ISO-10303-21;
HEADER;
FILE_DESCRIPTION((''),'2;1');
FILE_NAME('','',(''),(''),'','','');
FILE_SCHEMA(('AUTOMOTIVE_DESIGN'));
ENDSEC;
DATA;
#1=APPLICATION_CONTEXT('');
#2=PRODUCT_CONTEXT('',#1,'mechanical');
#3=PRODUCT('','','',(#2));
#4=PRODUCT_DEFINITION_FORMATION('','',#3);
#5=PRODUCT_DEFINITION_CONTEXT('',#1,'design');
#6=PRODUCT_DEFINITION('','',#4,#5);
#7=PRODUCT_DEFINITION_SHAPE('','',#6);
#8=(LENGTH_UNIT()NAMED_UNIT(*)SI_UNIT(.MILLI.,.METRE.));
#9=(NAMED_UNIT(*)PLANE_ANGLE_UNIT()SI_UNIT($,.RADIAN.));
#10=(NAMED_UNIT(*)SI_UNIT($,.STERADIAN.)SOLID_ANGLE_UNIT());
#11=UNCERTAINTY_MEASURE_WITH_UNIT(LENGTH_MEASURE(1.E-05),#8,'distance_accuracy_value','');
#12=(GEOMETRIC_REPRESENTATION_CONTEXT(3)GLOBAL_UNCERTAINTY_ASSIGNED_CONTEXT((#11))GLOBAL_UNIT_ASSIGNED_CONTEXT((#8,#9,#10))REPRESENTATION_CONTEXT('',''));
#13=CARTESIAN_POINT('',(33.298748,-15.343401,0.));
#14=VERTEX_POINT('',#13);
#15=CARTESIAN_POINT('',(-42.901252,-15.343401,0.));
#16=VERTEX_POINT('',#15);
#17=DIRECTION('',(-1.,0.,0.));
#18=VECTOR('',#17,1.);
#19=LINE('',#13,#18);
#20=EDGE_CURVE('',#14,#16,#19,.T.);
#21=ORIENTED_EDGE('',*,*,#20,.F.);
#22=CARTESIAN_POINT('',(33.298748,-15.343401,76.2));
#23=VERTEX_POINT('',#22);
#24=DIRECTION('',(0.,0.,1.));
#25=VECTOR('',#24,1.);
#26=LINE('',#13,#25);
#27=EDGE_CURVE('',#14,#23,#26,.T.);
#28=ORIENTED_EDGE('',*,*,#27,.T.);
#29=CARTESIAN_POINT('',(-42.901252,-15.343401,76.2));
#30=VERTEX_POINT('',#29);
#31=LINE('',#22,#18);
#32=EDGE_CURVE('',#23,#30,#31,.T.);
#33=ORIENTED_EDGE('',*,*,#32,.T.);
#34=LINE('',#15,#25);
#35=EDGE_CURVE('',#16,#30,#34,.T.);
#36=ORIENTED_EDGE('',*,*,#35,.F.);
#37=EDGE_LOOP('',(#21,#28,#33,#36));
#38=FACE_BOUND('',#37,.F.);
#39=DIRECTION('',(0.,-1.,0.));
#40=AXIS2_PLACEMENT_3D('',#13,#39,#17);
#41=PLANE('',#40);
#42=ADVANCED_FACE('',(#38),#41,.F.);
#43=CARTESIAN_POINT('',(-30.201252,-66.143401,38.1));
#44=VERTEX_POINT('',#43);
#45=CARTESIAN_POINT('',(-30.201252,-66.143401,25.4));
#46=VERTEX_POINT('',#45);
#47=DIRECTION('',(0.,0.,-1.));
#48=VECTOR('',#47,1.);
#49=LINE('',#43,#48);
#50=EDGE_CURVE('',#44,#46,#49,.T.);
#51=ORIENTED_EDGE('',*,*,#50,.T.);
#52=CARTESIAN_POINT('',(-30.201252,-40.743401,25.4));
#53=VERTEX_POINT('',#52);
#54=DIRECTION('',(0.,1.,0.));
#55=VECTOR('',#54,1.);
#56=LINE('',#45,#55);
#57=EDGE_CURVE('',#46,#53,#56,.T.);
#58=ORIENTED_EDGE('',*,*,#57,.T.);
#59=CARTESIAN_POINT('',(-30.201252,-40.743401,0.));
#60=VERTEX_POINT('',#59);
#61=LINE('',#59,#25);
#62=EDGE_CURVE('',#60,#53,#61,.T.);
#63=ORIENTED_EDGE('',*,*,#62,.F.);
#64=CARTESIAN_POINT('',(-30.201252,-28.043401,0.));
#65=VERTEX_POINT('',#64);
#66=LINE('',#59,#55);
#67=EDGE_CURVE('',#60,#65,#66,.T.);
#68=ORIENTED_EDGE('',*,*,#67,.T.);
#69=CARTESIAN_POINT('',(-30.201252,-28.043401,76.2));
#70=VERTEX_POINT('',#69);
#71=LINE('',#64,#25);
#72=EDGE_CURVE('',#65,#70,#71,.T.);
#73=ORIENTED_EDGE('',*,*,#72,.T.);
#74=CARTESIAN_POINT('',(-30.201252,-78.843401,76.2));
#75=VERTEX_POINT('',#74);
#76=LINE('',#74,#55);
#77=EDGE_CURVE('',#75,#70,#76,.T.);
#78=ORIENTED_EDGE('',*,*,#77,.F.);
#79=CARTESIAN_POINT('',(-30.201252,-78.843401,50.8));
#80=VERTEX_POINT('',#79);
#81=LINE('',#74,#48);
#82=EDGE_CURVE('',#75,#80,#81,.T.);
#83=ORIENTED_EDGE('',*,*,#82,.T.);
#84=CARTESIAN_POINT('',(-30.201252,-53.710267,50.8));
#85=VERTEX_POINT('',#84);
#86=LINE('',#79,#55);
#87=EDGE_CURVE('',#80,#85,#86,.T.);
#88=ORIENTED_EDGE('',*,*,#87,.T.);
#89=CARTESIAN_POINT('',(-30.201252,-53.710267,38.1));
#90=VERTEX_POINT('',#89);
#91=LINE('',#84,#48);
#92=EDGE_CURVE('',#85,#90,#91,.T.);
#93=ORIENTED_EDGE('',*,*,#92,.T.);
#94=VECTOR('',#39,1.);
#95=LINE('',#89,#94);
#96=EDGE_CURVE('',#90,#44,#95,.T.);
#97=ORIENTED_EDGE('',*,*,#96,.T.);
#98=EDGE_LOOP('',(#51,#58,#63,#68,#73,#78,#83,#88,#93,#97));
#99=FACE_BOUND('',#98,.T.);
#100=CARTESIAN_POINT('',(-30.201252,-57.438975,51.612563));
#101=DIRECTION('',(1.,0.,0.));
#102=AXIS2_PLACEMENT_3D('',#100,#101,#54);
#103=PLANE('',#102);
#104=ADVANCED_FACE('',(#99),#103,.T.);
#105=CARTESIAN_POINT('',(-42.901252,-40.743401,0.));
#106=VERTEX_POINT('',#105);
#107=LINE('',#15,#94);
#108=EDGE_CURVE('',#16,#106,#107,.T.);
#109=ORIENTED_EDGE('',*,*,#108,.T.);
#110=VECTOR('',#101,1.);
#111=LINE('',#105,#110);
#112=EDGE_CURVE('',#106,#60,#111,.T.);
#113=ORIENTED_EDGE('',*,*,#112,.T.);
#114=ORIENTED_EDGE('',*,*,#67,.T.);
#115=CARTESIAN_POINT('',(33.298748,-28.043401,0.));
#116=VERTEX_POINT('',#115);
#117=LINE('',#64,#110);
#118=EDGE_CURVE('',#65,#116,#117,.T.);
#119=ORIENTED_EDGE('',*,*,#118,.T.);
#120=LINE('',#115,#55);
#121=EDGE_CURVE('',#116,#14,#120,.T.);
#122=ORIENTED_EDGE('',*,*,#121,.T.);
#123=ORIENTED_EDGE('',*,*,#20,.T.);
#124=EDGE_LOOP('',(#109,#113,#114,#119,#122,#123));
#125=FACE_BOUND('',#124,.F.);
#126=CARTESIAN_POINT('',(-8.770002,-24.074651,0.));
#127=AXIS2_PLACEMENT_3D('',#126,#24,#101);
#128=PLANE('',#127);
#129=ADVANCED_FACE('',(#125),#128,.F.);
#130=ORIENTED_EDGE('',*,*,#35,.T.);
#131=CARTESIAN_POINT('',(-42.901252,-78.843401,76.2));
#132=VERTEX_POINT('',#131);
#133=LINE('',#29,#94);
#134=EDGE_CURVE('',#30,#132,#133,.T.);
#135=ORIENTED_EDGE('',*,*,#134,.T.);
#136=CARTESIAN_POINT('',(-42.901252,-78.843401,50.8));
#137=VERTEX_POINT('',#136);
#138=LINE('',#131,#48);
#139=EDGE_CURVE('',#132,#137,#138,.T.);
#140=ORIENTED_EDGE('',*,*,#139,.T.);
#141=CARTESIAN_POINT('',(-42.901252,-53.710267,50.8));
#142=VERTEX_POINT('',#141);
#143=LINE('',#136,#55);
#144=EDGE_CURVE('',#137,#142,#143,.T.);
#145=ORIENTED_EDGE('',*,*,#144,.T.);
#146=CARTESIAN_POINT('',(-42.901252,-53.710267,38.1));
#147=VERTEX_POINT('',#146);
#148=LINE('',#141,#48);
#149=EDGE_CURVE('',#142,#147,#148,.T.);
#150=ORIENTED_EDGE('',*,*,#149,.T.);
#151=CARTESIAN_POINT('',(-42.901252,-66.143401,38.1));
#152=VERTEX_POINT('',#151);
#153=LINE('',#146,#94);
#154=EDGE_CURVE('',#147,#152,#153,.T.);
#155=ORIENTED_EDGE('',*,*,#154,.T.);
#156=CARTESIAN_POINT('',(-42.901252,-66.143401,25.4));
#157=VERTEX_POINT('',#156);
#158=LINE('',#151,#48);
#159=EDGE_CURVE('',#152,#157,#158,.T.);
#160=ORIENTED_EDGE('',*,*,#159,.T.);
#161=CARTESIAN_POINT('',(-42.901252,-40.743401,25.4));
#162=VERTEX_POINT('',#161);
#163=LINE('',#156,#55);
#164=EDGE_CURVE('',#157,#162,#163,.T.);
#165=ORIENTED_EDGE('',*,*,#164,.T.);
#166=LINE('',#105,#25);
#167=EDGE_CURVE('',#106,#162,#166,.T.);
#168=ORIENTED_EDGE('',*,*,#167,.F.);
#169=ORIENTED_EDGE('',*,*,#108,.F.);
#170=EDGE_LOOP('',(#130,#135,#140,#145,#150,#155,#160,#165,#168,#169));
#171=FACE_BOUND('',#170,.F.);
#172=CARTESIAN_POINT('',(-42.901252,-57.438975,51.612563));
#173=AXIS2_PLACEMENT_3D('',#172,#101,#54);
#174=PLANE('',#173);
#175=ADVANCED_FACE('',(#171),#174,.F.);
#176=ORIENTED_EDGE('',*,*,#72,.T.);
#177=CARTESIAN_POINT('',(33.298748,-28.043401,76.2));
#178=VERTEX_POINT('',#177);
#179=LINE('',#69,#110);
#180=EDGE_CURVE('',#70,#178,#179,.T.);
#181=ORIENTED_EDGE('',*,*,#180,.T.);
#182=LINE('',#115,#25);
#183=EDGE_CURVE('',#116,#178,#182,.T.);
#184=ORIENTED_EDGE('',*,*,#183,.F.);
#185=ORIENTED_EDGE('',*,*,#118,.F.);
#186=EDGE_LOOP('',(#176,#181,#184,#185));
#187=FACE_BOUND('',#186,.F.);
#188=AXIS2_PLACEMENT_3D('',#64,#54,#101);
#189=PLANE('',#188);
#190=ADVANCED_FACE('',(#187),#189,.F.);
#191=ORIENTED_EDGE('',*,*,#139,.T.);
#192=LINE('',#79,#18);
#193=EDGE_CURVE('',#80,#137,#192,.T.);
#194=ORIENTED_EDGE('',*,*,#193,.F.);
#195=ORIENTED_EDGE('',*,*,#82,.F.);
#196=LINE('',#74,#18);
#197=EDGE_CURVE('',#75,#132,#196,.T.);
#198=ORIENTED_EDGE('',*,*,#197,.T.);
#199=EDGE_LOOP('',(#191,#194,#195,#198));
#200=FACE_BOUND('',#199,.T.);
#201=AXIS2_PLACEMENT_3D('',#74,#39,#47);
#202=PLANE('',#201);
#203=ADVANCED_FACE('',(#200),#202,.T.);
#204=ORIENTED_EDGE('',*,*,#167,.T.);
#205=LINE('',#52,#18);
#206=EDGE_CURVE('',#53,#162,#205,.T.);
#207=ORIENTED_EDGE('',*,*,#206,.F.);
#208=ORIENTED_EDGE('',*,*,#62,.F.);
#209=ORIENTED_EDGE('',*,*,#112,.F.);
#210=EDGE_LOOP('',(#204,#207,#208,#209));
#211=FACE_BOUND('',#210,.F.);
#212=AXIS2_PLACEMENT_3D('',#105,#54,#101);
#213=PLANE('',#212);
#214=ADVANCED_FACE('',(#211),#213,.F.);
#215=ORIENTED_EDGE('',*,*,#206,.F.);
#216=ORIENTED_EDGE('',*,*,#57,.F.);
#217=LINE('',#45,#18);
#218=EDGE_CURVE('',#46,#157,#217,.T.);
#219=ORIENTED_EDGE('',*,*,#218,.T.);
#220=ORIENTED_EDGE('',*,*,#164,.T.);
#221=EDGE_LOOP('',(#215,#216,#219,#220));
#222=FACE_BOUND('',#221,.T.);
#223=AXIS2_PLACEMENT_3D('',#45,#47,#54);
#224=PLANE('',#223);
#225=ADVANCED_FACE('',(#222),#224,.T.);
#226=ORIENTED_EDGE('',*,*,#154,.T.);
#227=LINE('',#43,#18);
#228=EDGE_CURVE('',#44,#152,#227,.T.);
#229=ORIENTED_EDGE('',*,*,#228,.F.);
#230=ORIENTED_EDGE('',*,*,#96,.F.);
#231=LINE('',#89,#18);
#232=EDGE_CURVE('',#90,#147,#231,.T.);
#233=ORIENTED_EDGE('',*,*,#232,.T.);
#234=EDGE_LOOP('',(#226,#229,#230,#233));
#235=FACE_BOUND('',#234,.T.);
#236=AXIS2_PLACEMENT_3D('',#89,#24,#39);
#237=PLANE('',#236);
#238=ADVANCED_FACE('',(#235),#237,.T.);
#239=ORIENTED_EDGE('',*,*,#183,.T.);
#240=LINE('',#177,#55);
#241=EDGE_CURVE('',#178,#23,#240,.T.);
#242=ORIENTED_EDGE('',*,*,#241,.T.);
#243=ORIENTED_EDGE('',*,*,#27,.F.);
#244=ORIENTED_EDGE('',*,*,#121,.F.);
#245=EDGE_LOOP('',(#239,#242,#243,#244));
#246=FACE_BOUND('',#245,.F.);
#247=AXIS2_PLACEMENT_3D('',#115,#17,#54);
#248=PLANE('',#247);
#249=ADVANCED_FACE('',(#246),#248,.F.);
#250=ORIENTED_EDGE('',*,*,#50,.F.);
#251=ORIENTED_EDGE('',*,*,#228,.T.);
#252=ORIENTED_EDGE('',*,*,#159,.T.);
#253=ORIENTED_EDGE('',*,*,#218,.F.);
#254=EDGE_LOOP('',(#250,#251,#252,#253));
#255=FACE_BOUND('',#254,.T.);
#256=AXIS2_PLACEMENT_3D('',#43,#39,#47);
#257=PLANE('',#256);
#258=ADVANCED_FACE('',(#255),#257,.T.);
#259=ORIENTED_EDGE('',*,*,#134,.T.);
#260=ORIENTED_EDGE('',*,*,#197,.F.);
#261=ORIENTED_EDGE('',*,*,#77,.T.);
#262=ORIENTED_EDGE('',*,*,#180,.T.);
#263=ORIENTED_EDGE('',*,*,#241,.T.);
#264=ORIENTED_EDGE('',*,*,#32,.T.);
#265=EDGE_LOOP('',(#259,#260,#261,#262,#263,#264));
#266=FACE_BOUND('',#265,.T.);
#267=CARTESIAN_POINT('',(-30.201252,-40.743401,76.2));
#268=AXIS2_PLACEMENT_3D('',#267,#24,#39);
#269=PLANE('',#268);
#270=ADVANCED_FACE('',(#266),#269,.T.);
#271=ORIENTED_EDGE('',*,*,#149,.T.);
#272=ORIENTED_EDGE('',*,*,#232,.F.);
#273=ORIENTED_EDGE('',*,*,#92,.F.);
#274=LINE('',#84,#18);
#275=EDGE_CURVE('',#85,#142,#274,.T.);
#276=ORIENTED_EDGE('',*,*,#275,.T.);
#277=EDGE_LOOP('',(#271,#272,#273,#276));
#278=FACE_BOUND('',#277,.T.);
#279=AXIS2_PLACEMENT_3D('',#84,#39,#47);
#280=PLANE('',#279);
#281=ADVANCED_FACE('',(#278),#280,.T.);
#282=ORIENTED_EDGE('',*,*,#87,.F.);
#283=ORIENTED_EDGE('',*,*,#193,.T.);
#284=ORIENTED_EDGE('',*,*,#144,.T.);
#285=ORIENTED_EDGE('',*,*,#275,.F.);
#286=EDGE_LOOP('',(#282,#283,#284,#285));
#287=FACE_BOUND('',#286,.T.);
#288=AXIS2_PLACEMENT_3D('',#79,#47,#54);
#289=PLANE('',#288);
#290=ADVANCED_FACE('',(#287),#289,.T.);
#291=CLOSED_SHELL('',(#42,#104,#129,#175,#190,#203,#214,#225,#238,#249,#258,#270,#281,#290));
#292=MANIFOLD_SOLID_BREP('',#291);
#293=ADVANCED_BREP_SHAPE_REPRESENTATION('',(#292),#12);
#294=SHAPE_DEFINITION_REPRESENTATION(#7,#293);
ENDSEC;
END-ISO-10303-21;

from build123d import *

# Parameters (mm, degrees)
F1_DEPTH = 76.2
F3_DEPTH = 12.7


with BuildPart() as f1:
    # F0 (on Top) → F1 (new body)
    with BuildSketch(Plane.XY):
        Polygon((-42.901252, -15.343401), (-42.901252, -40.743401), (-30.201252, -40.743401), (-30.201252, -28.043401), (33.298748, -28.043401), (33.298748, -15.343401), align=None)
    extrude(amount=F1_DEPTH)

    # F2 (on face) → F3 (join)
    with BuildSketch(Plane.YZ.offset(-30.201252)):
        Polygon((-40.743401, 25.4), (-40.743401, 76.2), (-78.843401, 76.2), (-78.843401, 50.8), (-53.710267, 50.8), (-53.710267, 38.1), (-66.143401, 38.1), (-66.143401, 25.4), align=None)
    extrude(amount=-F3_DEPTH)


solid = f1.part
